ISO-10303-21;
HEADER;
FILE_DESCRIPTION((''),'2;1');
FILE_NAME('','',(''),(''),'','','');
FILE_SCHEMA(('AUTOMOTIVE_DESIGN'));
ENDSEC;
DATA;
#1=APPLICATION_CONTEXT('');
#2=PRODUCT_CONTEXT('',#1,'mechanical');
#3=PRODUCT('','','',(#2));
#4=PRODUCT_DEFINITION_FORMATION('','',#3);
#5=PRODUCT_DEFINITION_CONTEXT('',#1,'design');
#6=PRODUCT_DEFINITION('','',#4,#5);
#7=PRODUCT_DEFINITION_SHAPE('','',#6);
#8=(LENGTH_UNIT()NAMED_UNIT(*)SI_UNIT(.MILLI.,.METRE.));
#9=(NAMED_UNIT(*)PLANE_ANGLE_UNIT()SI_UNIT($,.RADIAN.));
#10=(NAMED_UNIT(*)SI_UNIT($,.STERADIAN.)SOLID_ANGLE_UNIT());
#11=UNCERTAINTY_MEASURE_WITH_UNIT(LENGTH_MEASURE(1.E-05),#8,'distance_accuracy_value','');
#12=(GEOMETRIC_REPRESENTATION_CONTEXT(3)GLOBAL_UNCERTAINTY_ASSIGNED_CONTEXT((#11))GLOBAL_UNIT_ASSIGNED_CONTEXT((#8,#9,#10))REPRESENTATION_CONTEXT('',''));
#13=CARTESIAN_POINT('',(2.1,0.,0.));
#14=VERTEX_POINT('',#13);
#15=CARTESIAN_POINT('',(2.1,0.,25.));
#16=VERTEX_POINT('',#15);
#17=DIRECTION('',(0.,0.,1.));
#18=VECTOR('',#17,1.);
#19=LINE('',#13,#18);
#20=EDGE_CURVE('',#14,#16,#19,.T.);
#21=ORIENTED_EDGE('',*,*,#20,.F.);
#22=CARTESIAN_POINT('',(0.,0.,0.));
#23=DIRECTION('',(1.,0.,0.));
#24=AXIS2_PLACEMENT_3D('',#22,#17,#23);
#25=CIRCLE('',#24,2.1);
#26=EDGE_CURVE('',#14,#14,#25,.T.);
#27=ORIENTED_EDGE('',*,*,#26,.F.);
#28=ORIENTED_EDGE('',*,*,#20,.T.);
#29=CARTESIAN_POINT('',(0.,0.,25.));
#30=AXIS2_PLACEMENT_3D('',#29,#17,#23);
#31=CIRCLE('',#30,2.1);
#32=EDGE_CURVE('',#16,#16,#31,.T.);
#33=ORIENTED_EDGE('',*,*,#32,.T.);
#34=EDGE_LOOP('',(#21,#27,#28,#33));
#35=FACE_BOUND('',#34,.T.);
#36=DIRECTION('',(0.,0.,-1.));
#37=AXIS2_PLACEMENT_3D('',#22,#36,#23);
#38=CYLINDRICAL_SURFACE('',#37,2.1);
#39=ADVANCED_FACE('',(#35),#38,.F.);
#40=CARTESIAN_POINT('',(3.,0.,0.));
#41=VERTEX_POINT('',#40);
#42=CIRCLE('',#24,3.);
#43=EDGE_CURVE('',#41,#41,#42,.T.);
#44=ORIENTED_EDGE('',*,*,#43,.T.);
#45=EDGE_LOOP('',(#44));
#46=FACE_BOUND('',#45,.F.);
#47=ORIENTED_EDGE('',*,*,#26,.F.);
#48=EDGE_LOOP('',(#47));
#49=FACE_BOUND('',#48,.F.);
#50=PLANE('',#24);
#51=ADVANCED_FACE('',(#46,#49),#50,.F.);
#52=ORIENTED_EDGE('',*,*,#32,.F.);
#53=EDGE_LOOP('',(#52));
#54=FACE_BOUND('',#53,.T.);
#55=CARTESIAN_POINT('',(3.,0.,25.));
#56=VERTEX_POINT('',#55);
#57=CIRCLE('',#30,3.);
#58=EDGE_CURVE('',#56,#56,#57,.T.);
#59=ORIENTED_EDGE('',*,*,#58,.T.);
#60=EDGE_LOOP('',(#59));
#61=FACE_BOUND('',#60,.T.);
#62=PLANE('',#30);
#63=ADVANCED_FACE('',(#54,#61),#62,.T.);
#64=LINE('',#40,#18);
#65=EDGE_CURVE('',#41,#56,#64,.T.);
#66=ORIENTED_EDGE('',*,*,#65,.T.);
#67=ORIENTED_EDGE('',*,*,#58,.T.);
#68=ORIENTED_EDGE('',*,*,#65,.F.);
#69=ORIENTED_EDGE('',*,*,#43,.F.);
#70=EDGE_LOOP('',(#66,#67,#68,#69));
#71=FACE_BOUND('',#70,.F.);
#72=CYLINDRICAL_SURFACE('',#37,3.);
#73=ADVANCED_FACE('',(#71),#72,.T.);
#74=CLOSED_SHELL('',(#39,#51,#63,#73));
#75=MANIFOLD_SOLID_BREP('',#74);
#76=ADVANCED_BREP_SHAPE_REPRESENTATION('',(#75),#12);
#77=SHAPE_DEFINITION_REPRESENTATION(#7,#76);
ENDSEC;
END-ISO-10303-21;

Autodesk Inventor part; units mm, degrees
ref_plane "YZ Plane" through (0, 0, 0) normal (1, 0, 0) x (0, 1, 0)
ref_plane "XZ Plane" through (0, 0, 0) normal (0, 1, 0) x (-1, 0, 0)
ref_plane "XY Plane" through (0, 0, 0) normal (0, 0, 1) x (1, 0, 0)
sketch "Sketch1" plane through (0, 0, 0) normal (0, 0, 1) x (1, 0, 0)
  circle A0 centre (0, 0) radius 2.1
  circle A1 centre (0, 0) radius 3
  dimension "d0" = 4.2
  dimension "d1" = 6
extrude "Extrusion1" add sketch "Sketch1" along normal blind 25
properties part number "spacer_25mm"
